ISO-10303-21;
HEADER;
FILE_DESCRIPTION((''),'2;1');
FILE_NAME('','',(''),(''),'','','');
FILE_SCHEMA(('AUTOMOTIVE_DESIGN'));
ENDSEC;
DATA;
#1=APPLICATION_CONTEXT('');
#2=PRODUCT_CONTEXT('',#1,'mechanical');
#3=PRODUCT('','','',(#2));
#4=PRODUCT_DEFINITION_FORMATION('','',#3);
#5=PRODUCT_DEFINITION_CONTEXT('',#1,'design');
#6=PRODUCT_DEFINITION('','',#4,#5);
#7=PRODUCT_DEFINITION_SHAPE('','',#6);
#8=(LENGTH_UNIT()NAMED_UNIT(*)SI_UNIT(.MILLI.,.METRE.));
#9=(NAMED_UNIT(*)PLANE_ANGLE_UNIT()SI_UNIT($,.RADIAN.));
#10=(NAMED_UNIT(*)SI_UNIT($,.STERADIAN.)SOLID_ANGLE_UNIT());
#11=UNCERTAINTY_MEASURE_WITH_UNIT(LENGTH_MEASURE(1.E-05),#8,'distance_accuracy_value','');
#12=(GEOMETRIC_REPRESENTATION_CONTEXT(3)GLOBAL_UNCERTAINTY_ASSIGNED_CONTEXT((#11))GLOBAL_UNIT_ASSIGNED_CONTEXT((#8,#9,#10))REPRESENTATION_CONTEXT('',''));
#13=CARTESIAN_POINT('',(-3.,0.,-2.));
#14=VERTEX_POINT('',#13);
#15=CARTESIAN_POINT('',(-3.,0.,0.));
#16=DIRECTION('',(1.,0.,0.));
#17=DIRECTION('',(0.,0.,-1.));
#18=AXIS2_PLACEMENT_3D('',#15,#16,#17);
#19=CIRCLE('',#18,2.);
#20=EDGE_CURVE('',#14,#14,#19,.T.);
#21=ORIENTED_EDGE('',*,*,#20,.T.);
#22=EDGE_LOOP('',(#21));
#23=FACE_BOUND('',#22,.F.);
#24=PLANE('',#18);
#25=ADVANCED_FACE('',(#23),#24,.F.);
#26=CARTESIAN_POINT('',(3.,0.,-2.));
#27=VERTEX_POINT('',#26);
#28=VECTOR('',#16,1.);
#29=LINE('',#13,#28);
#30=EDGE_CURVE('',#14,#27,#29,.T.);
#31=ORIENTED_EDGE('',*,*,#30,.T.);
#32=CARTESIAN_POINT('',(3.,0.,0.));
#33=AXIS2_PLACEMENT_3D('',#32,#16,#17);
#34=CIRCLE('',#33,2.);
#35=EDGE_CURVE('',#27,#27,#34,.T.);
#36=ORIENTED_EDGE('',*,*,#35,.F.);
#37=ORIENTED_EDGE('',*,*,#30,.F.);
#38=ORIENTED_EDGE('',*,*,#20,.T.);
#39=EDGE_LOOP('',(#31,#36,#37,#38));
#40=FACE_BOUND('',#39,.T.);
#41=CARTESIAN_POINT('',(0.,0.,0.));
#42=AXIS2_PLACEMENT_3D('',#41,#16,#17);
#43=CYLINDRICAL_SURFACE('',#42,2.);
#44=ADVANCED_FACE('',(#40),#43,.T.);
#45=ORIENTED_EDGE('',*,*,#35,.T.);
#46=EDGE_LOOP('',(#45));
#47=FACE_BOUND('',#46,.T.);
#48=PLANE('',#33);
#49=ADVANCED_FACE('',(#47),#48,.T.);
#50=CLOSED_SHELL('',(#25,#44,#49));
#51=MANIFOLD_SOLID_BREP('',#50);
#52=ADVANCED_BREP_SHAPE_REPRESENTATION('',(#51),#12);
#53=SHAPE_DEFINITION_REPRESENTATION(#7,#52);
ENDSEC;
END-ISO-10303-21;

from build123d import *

# Parameters (mm, degrees)
SKETCH_1_R      = 2
EXTRUDE_1_DEPTH = 3


with BuildPart() as part:
    # 草圖1 → 填料-伸長1 (new body, symmetric)
    with BuildSketch(Plane(origin=(0, 0, 0), x_dir=(0, 0, -1), z_dir=(1, 0, 0))):
        Circle(SKETCH_1_R)
    extrude(amount=EXTRUDE_1_DEPTH, both=True)


solid = part.part
